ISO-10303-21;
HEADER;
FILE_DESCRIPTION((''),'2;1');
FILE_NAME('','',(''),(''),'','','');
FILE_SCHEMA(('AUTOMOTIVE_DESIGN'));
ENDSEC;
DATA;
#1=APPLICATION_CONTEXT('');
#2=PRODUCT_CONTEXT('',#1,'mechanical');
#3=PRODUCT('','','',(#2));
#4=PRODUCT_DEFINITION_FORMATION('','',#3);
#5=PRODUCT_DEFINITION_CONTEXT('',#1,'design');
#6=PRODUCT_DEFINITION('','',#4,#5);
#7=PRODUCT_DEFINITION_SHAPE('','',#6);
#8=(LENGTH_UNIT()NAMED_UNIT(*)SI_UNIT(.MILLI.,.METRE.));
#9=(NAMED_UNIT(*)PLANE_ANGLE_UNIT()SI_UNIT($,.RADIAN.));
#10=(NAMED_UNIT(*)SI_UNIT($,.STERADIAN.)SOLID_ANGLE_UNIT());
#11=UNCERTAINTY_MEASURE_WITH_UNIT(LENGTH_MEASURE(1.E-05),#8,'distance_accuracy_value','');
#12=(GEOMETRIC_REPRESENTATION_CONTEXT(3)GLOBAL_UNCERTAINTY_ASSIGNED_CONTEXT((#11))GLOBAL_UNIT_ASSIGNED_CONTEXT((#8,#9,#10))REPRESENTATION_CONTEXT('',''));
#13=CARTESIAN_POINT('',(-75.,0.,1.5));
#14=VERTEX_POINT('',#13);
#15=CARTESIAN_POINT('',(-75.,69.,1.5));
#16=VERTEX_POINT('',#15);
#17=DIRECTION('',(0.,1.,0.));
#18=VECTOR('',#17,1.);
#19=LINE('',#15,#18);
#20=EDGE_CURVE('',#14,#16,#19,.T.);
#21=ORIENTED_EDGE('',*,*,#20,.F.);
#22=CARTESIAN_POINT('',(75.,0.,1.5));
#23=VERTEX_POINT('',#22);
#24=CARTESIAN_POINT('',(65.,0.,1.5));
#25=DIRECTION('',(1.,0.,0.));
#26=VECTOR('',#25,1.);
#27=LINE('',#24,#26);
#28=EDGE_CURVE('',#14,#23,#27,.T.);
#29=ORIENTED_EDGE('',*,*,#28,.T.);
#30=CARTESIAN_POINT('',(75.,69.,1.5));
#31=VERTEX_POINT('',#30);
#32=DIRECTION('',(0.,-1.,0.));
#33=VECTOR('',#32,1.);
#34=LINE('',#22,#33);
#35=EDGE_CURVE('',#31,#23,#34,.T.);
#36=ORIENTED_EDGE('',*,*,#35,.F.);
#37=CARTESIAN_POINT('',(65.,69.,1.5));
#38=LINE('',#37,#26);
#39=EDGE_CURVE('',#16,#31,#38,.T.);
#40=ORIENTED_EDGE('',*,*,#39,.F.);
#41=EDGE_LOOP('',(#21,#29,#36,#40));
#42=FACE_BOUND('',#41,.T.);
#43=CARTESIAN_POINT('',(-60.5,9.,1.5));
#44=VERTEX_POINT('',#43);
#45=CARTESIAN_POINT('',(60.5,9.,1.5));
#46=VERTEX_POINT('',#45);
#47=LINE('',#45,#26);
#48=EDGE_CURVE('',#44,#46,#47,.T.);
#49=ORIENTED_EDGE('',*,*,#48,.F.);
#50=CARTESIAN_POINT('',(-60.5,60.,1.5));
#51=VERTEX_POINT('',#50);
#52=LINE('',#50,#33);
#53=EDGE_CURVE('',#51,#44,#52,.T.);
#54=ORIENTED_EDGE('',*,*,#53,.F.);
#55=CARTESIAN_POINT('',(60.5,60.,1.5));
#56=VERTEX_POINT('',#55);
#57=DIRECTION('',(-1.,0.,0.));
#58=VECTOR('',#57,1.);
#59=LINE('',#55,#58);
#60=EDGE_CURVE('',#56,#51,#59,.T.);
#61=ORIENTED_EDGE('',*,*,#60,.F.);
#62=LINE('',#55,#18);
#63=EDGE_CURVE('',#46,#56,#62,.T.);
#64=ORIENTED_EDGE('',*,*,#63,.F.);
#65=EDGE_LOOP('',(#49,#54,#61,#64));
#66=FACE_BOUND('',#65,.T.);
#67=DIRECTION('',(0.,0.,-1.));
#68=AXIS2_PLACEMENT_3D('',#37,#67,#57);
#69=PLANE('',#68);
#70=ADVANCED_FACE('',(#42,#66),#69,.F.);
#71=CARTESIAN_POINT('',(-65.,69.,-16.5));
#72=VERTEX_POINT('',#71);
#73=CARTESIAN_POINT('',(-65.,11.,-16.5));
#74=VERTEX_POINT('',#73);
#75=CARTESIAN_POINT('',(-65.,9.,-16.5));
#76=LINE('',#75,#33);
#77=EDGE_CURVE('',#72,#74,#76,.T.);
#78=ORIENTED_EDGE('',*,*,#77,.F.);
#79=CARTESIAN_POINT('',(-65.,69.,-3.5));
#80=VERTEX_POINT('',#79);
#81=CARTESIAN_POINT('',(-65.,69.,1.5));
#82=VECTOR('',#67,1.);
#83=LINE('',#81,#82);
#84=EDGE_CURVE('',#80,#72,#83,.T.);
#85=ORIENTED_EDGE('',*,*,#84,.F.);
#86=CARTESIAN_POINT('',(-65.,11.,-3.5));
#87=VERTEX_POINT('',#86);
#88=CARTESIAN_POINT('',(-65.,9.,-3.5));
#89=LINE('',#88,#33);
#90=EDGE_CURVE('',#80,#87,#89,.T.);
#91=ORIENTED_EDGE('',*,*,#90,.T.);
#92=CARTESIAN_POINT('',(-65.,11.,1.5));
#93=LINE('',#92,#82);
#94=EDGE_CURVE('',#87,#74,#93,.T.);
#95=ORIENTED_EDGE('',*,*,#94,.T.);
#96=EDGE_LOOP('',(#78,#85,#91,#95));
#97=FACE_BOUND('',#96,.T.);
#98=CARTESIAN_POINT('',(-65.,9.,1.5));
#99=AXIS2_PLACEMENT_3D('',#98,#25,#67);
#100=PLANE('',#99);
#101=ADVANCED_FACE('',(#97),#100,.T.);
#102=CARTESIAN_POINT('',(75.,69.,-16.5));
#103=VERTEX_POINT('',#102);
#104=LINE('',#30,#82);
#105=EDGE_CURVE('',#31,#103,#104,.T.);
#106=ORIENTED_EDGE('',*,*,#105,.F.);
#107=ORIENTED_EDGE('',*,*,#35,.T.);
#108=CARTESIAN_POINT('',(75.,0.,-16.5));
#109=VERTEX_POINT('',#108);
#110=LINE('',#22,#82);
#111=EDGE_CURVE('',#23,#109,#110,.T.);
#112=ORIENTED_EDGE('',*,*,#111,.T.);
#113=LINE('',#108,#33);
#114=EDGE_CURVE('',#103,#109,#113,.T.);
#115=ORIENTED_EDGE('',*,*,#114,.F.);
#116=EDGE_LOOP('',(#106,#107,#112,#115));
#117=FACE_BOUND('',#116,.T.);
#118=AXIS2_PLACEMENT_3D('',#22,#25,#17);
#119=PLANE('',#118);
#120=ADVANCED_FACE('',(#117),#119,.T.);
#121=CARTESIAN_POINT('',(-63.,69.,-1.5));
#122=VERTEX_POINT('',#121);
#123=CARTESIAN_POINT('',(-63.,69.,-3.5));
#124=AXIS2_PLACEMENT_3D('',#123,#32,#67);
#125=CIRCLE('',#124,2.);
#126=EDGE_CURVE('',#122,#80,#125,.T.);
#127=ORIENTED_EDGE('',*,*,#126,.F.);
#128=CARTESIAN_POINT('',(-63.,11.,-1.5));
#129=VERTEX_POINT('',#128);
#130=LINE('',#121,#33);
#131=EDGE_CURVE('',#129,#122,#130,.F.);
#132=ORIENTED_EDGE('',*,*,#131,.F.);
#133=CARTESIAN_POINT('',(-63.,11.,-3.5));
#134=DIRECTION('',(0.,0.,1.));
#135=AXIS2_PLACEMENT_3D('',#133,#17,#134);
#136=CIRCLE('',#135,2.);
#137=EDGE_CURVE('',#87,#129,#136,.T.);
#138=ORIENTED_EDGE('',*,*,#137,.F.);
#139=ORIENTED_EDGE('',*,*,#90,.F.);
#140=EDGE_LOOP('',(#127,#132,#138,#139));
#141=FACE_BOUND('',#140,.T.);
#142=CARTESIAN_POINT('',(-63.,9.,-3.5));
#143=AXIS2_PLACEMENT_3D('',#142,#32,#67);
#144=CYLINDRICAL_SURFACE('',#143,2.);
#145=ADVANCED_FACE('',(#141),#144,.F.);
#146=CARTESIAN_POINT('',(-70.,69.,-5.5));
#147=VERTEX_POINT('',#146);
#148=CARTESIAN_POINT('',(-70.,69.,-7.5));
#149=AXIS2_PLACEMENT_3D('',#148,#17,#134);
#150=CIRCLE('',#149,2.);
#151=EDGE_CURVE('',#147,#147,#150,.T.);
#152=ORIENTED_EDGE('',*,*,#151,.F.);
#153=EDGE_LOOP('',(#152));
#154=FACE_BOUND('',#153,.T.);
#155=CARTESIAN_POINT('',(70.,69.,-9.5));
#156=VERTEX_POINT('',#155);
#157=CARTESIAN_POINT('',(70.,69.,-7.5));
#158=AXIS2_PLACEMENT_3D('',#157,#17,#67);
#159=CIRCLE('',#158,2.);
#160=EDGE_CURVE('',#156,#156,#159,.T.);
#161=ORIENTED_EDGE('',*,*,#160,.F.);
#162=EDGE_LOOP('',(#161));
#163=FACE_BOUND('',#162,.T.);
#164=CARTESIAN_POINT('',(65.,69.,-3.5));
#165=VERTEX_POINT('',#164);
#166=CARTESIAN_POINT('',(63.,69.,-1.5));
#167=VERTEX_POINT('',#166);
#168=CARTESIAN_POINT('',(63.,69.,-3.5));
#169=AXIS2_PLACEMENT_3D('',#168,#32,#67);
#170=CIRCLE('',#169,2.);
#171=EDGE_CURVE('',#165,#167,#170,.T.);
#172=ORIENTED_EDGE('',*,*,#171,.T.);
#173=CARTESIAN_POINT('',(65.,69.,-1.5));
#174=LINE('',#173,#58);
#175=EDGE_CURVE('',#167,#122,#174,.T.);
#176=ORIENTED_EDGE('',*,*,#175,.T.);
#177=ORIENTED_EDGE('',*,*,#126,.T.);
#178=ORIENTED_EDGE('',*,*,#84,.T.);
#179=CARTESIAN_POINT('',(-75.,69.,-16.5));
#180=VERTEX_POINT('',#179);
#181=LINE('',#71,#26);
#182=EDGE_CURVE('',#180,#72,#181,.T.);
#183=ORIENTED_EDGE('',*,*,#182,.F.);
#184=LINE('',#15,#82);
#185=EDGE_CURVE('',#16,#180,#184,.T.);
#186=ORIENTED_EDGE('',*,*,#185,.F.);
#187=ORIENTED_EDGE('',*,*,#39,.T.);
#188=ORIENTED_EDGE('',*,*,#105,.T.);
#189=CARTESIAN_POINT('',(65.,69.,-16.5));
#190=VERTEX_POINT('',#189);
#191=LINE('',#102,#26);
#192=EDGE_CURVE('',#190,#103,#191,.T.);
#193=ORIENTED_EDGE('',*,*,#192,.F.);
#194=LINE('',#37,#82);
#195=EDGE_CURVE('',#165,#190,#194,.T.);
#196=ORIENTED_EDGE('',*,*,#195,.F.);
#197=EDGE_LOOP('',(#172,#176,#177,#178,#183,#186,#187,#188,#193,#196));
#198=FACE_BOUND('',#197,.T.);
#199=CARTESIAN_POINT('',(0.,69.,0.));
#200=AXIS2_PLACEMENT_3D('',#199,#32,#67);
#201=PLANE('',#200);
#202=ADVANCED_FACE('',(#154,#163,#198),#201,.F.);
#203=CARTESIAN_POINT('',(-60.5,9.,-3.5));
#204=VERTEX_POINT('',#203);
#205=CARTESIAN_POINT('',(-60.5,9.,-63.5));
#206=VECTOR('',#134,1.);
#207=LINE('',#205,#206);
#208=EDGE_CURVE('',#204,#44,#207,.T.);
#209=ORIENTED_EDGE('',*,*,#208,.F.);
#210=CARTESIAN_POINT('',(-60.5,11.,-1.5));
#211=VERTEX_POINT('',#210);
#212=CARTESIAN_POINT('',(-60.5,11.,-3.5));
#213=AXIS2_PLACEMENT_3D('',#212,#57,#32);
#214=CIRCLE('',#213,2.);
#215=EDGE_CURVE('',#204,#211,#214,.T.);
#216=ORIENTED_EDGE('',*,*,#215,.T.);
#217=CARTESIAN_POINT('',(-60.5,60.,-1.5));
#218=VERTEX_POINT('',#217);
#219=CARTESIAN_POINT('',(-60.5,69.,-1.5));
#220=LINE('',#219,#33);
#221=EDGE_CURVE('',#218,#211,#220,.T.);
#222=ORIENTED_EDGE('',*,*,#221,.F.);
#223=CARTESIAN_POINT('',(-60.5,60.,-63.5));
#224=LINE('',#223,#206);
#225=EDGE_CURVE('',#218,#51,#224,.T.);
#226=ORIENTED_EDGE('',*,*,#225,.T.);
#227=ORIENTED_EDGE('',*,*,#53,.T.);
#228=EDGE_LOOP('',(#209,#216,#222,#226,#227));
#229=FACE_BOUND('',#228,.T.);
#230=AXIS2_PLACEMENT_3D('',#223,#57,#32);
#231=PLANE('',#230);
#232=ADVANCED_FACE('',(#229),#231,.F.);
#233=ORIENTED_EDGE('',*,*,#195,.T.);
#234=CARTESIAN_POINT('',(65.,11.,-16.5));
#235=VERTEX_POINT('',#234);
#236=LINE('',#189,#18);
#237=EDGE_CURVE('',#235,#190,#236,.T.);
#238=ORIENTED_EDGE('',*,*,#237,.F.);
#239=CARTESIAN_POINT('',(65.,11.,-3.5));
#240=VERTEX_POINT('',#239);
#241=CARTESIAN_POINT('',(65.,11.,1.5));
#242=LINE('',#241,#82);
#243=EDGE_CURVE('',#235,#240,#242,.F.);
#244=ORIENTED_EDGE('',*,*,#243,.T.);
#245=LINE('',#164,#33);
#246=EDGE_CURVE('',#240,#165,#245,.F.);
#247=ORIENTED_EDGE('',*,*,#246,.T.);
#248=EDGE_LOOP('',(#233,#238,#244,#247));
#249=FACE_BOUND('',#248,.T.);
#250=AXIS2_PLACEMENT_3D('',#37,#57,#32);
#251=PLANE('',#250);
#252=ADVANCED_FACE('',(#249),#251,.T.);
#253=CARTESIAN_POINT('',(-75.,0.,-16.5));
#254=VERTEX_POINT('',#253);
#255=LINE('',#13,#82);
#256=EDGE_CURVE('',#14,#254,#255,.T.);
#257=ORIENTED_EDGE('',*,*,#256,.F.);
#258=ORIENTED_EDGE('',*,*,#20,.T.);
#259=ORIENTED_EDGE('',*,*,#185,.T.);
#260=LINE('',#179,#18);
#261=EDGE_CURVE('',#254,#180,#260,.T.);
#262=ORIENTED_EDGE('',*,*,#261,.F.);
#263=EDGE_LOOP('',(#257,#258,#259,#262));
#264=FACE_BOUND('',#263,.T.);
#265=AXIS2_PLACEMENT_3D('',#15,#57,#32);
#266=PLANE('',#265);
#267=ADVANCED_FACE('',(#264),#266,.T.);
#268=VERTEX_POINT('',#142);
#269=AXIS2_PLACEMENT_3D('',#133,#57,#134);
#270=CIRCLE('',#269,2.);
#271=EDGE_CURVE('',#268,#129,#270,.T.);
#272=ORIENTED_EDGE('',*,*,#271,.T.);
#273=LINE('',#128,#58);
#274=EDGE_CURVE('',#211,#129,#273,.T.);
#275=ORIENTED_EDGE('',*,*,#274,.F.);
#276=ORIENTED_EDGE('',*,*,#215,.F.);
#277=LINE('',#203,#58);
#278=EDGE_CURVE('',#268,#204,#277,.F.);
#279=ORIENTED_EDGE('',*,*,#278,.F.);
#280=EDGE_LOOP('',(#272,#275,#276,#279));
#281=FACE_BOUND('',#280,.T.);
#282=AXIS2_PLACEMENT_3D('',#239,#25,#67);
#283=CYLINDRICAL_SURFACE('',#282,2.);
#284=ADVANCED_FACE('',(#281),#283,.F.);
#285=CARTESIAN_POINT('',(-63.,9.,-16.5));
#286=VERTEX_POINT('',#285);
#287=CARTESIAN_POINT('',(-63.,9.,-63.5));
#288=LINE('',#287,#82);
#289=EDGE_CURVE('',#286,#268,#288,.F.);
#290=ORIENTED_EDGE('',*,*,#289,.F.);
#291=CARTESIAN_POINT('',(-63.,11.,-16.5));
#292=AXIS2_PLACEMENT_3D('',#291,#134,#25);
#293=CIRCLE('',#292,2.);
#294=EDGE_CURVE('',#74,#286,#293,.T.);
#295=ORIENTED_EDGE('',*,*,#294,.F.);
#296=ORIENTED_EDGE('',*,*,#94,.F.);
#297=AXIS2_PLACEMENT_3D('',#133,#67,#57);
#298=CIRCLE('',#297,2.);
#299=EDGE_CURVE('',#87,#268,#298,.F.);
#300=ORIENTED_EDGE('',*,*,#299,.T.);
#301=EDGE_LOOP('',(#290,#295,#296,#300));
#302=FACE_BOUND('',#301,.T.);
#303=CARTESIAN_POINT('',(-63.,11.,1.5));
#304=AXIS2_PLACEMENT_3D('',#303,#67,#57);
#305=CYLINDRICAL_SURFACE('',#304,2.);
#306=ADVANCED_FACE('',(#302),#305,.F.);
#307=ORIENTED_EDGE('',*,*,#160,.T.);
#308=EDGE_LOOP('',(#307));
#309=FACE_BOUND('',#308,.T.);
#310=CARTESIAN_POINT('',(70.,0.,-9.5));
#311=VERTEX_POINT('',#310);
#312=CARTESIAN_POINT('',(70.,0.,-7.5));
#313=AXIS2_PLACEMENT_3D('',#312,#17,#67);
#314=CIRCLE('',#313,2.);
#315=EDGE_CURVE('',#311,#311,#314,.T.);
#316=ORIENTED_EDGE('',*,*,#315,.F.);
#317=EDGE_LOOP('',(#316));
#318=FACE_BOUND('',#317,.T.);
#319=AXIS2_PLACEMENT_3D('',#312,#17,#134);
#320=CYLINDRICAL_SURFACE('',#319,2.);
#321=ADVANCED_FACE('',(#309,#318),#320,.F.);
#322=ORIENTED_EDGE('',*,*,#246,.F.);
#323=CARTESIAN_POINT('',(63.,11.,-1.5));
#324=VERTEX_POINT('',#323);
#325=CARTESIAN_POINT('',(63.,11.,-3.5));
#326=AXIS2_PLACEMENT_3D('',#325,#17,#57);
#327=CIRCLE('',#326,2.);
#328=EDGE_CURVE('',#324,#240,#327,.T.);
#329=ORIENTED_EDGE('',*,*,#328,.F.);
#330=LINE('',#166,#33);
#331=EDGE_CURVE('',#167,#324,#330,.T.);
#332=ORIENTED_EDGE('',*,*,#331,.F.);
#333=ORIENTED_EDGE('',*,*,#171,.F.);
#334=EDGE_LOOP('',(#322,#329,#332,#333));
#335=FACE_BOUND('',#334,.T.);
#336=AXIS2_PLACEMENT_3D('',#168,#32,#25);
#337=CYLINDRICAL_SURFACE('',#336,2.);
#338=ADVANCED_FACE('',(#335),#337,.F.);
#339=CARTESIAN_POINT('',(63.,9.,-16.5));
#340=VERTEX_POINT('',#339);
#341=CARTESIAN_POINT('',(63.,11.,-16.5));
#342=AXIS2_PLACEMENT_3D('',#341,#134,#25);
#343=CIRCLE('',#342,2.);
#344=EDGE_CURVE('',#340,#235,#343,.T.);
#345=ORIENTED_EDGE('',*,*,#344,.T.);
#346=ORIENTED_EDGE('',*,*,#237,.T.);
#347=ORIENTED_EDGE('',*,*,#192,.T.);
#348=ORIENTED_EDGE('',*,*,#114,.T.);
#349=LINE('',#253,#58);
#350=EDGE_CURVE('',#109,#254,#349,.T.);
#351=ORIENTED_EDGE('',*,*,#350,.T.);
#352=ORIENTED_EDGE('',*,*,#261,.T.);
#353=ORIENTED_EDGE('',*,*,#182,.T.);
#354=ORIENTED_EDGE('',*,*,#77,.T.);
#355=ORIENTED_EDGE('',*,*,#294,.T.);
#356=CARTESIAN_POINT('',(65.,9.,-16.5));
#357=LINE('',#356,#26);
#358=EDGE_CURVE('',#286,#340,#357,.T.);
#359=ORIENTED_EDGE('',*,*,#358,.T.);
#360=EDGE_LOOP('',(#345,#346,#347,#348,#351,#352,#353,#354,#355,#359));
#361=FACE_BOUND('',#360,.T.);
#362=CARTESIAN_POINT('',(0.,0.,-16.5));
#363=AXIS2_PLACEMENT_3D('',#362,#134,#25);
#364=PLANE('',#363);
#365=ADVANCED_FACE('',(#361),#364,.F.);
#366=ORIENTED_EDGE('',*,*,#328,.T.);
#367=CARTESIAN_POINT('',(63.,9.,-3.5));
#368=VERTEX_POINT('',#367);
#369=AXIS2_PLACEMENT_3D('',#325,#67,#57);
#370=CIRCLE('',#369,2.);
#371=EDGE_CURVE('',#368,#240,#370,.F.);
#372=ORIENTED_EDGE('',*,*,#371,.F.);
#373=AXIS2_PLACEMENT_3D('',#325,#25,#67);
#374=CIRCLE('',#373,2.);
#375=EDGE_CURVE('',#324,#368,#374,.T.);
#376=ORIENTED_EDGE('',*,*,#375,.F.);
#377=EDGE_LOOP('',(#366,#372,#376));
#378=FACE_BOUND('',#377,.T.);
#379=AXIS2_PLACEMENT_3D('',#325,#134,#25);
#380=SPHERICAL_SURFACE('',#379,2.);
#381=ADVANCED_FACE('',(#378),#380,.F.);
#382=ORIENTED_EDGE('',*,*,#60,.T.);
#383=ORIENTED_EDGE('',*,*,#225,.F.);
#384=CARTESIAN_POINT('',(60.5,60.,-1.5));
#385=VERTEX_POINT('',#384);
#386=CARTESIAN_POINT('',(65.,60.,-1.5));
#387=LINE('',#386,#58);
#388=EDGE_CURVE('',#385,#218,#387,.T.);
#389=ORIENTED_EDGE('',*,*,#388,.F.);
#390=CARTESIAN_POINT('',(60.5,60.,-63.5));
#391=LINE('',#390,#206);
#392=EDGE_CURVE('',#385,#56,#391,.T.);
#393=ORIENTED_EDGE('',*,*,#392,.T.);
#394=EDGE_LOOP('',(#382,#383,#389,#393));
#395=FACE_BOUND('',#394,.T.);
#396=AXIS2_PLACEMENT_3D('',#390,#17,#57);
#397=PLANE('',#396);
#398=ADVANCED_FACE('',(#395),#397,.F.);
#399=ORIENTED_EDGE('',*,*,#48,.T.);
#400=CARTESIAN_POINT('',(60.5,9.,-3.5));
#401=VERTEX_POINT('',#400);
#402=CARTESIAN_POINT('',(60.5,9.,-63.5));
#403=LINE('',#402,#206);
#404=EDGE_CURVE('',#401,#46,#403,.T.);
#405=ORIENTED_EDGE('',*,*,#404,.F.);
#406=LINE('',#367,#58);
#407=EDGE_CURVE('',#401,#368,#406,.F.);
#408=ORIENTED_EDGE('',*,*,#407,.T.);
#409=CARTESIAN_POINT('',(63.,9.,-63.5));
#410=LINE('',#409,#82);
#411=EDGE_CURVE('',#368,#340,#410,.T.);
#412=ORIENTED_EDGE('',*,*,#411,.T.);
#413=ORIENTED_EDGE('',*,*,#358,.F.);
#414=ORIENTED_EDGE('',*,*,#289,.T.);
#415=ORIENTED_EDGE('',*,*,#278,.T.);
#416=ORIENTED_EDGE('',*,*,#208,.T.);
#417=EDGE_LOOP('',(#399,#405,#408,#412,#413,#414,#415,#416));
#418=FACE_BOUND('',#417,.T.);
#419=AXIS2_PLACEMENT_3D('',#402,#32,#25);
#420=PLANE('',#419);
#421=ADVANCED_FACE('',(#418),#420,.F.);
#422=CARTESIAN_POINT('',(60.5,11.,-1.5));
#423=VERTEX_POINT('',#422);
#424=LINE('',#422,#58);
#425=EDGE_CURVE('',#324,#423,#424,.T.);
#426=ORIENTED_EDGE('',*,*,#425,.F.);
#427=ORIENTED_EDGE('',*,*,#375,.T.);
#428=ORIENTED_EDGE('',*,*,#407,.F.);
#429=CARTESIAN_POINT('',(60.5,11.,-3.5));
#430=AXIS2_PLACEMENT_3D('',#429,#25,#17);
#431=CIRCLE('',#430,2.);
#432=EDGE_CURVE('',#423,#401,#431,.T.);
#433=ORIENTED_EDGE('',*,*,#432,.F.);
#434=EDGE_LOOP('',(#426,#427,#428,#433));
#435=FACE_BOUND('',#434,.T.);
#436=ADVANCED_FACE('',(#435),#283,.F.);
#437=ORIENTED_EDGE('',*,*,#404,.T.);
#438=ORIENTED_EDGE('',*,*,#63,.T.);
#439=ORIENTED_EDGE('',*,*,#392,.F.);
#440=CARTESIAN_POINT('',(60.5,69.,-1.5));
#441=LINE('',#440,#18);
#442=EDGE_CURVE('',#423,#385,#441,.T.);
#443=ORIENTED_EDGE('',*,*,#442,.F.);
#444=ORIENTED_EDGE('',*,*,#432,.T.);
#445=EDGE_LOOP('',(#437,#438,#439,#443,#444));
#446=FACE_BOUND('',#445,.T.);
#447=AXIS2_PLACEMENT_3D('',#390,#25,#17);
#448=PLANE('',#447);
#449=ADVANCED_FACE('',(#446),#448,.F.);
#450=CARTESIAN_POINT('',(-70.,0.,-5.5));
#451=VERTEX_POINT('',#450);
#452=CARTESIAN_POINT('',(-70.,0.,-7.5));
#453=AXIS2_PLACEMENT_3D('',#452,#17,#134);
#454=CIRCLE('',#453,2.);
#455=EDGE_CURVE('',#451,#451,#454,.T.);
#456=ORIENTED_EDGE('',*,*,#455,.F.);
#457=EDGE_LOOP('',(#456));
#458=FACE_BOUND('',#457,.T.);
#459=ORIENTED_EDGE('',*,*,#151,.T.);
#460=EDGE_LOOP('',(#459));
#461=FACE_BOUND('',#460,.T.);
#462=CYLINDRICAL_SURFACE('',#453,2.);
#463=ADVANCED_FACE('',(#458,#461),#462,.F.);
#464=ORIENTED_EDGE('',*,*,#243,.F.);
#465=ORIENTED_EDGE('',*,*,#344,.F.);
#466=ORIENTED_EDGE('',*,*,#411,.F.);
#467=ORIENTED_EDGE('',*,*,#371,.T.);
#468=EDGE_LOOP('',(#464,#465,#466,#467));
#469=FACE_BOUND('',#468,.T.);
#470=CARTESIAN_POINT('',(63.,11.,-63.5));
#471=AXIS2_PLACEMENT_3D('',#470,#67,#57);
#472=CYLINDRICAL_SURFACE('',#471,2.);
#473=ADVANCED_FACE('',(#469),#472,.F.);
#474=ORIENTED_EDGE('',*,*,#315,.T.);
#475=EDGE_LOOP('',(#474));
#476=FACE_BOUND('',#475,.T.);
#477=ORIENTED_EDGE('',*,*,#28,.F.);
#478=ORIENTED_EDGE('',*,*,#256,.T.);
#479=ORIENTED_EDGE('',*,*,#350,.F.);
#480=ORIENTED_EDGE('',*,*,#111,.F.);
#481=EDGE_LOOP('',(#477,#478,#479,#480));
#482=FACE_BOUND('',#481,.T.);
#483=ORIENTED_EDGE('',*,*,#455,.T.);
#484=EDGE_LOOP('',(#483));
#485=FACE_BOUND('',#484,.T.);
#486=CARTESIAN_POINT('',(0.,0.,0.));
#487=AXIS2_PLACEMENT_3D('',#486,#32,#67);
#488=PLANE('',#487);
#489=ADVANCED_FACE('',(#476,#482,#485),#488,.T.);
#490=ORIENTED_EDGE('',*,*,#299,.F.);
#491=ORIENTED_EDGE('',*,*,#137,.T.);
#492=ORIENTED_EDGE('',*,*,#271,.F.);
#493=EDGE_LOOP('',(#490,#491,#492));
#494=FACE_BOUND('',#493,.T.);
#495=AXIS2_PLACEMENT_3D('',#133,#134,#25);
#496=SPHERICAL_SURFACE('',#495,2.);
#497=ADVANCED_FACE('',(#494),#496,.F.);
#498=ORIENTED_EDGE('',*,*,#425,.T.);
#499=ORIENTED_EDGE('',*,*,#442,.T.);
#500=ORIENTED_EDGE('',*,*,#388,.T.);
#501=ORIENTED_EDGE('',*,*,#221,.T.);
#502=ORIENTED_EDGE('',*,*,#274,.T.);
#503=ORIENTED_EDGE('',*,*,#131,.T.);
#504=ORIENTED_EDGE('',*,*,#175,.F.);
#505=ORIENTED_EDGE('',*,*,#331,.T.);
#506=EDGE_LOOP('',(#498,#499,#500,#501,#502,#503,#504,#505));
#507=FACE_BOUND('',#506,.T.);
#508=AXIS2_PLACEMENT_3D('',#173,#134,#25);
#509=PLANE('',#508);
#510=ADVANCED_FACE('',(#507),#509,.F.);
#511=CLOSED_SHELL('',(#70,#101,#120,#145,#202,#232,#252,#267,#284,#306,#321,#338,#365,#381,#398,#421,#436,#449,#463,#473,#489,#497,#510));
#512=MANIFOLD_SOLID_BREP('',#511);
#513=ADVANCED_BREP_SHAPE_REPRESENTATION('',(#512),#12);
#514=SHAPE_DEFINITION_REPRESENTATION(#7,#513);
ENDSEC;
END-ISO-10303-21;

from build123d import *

# Parameters (mm, degrees)
SKETCH1_W                = 130
SKETCH1_H                = 3
BOSS_EXTRUDE1_DEPTH      = 69
SKETCH2_W                = 121
SKETCH2_H                = 51
CUT_EXTRUDE1_DEPTH       = 65
BOSS_EXTRUDE3_DEPTH      = 15
BOSS_EXTRUDE3_DEPTH_BACK = 3
SKETCH4_R                = 2
CUT_EXTRUDE2_DEPTH       = 70
FILLET1_R                = 2
FILLET2_R                = 2


with BuildPart() as part:
    # Sketch1 → Boss-Extrude1 (new body)
    with BuildSketch(Plane(origin=(0, 0, 0), x_dir=(1, 0, 0), z_dir=(0, 1, 0))):
        Rectangle(SKETCH1_W, SKETCH1_H)
    extrude(amount=BOSS_EXTRUDE1_DEPTH)

    # Sketch2 → Cut-Extrude1 (cut)
    with BuildSketch(Plane.XY.offset(1.5)):
        with Locations((0, 34.5)):
            Rectangle(SKETCH2_W, SKETCH2_H)
    extrude(amount=-CUT_EXTRUDE1_DEPTH, mode=Mode.SUBTRACT)

    # Sketch3 → Boss-Extrude3 (add, two sides)
    with BuildSketch(Plane(origin=(0, 0, -1.5), x_dir=(-1, 0, 0), z_dir=(0, 0, -1))) as boss_extrude3_sk:
        Polygon((75, 0), (-75, 0), (-75, 69), (-65, 69), (-65, 9), (65, 9), (65, 69), (75, 69), align=None)
    extrude(amount=BOSS_EXTRUDE3_DEPTH)
    extrude(boss_extrude3_sk.sketch, amount=-BOSS_EXTRUDE3_DEPTH_BACK)

    # Sketch4 → Cut-Extrude2 (cut, through all)
    with BuildSketch(Plane(origin=(0, 69, 0), x_dir=(1, 0, 0), z_dir=(0, 1, 0))):
        with Locations((-70, 7.5)):
            Circle(SKETCH4_R)
        with Locations((70, 7.5)):
            Circle(SKETCH4_R)
    extrude(amount=-CUT_EXTRUDE2_DEPTH, mode=Mode.SUBTRACT)

    # Fillet1
    fillet1_edges = [part.edges().sort_by_distance(p)[0] for p in [
        (-65, 9, -9),
        (65, 9, -9),
    ]]
    fillet(fillet1_edges, radius=FILLET1_R)

    # Fillet2
    fillet2_edges = [part.edges().sort_by_distance(p)[0] for p in [
        (-61.75, 9, -1.5),
        (-65, 40, -1.5),
        (61.75, 9, -1.5),
        (65, 40, -1.5),
        (-64.414213562, 9.585786438, -1.5),
        (64.414213562, 9.585786438, -1.5),
    ]]
    fillet(fillet2_edges, radius=FILLET2_R)


solid = part.part
